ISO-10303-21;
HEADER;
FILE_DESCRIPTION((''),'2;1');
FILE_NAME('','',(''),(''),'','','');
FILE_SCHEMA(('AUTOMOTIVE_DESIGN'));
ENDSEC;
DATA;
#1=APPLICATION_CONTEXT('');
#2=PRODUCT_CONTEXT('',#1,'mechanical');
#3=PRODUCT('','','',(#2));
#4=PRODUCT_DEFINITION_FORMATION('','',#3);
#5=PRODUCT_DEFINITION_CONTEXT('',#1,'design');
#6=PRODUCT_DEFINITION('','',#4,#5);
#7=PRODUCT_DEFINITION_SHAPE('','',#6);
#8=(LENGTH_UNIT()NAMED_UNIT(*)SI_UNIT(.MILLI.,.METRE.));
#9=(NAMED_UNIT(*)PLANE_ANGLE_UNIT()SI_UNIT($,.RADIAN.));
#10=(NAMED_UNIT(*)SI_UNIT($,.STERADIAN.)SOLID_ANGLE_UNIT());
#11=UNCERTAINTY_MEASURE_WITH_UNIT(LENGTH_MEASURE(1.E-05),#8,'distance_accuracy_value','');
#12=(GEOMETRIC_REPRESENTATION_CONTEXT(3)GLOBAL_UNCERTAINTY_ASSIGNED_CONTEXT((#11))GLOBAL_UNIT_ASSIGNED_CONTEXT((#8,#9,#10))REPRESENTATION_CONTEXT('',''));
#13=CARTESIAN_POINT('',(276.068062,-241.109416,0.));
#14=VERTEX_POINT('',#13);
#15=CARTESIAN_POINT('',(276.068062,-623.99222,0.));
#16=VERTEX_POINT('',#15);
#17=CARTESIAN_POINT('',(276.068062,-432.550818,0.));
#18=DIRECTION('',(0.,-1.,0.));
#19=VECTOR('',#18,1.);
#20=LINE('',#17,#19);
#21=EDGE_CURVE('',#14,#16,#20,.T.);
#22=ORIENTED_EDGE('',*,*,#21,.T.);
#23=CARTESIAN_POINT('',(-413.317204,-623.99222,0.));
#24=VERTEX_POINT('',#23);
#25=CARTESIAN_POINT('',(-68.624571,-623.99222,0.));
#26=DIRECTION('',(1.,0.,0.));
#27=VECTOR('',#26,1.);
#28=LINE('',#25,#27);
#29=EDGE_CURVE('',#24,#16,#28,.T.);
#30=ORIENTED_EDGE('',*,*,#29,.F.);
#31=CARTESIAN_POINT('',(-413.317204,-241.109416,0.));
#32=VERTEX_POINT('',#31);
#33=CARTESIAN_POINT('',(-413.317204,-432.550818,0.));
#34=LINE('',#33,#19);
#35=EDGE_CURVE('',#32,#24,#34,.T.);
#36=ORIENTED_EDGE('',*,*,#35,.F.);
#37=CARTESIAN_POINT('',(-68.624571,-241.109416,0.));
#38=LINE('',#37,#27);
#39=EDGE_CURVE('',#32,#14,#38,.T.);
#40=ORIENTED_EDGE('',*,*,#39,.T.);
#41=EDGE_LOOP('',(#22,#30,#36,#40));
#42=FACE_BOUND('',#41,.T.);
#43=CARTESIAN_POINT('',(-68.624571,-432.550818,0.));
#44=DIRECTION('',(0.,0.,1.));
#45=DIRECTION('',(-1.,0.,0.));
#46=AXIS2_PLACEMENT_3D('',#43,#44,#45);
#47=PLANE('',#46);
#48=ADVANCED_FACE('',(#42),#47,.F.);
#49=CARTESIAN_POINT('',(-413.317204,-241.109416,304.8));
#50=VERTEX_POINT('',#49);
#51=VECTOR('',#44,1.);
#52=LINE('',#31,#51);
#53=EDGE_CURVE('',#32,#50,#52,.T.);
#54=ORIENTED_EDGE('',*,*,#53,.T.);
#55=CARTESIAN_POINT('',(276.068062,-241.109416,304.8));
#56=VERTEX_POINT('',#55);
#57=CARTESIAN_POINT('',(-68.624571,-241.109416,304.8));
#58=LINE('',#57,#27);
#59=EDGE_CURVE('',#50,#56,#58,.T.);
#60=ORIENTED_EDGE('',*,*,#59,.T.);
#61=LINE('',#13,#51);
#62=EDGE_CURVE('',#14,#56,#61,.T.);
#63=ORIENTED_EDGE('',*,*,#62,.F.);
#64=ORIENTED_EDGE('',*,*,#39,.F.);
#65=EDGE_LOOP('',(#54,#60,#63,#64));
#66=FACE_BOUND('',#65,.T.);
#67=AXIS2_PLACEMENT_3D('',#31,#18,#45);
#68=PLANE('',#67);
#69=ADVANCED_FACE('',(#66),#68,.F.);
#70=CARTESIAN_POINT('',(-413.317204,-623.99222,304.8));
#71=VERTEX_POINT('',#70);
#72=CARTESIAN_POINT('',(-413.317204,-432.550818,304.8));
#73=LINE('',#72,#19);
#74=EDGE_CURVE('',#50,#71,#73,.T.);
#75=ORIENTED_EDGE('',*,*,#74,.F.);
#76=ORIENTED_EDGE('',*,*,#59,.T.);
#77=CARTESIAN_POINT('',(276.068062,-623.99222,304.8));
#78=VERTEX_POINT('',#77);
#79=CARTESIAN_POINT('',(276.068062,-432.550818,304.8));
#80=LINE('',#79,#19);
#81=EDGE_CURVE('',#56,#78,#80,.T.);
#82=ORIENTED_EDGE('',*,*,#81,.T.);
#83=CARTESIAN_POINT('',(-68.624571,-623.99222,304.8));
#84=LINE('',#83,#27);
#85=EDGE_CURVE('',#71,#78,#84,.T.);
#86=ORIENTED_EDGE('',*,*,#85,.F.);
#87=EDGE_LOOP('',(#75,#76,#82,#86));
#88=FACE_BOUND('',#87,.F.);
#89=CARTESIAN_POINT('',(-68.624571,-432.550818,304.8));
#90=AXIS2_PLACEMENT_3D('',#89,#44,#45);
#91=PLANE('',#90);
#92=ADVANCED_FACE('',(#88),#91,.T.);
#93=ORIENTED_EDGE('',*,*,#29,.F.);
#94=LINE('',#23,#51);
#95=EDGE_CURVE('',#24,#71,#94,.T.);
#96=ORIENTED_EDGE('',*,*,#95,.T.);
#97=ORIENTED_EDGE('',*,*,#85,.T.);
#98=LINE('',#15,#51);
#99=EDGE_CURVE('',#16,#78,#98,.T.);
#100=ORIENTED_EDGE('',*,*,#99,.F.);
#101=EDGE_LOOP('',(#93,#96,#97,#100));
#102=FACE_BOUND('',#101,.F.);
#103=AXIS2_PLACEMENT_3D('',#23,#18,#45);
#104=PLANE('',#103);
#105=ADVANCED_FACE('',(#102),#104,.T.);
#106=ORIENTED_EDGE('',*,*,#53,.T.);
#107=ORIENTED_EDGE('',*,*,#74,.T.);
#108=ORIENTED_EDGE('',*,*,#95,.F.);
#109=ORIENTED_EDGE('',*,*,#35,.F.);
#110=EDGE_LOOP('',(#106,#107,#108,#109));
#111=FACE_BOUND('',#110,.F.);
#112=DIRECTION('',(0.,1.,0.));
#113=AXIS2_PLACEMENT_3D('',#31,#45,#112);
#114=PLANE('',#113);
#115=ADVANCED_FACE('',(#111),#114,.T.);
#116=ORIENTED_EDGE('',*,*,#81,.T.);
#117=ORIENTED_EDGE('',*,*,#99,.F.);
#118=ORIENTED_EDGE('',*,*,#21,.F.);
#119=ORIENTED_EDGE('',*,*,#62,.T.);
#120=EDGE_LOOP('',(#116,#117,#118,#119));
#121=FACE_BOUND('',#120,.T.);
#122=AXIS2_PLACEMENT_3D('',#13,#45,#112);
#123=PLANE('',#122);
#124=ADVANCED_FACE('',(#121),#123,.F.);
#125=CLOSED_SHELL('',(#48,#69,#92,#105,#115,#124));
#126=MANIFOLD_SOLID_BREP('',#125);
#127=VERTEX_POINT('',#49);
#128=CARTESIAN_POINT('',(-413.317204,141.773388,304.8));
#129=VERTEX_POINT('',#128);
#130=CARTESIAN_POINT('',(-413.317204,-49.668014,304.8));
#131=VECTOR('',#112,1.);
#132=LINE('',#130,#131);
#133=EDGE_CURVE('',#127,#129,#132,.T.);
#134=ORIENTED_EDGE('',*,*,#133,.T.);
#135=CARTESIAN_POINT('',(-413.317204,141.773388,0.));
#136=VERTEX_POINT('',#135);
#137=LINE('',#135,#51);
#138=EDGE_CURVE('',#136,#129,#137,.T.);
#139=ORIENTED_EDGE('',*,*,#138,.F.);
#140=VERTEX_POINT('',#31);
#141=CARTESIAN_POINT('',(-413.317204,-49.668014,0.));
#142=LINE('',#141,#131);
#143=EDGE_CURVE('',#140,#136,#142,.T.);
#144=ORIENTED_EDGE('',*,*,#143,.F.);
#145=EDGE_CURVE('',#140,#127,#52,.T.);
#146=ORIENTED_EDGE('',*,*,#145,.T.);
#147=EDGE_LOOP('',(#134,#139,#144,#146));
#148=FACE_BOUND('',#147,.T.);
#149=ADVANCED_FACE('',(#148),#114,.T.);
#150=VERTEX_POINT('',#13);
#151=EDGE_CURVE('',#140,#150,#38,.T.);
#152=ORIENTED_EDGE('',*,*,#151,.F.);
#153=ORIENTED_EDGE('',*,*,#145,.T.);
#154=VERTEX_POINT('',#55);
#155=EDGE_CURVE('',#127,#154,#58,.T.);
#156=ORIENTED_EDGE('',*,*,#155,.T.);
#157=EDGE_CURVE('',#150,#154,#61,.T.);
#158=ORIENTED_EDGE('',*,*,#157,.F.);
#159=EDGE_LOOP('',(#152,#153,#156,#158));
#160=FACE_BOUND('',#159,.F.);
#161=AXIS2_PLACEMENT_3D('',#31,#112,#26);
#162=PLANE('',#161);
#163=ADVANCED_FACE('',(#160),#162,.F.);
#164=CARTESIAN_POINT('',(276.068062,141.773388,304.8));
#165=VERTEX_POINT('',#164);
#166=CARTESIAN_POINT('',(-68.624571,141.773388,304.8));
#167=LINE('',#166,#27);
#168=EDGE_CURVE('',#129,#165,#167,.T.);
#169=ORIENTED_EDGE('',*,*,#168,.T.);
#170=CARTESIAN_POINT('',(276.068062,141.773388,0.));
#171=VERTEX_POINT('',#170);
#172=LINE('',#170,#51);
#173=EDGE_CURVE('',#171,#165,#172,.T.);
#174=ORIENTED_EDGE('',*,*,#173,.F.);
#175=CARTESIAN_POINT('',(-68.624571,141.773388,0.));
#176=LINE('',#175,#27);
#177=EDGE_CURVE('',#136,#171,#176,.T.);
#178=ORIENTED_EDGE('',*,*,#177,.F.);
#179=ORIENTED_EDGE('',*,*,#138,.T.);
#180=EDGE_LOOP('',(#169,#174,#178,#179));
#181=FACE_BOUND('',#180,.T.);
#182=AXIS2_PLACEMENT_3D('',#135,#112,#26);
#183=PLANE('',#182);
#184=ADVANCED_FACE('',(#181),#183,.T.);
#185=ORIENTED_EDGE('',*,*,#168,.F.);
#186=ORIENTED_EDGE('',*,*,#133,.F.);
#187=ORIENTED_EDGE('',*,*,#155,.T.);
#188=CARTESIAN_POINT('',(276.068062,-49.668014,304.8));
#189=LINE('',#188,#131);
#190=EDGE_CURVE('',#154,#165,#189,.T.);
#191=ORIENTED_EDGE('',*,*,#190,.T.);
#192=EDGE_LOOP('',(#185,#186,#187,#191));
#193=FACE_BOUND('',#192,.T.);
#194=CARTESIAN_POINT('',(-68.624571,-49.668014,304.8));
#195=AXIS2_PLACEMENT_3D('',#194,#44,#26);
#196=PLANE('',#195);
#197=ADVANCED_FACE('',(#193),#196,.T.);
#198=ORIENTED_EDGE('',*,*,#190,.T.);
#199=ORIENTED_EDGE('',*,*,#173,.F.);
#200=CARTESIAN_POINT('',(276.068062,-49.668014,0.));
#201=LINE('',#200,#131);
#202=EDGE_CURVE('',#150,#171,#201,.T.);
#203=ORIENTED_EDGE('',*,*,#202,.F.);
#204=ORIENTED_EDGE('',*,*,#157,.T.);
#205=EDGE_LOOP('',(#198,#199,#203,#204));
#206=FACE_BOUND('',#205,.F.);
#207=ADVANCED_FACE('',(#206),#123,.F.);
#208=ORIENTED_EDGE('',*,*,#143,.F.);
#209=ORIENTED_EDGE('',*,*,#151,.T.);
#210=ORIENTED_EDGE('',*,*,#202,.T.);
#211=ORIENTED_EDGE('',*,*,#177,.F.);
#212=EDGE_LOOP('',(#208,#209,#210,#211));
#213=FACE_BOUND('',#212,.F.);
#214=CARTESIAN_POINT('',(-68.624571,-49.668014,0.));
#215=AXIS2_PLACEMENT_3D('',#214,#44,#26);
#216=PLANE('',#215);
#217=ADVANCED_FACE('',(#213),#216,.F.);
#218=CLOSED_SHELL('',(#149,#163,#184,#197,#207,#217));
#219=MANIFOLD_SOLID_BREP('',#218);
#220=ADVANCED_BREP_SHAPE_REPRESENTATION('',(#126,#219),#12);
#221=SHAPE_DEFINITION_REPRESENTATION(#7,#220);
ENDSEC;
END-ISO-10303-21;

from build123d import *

# Parameters (mm, degrees)
F0_W     = 689.385266
F0_H     = 382.882804
F1_DEPTH = 304.8


with BuildPart() as f1:
    # F0 (on Top) → F1 (new body)
    with BuildSketch(Plane.XY):
        with Locations((-68.624571, -49.668014)):
            Rectangle(F0_W, F0_H)
    extrude(amount=F1_DEPTH)


with BuildPart() as f2_1:
    # F2: instance of F1
    add(f1.part.mirror(Plane(origin=(-68.624571, -241.109416, 152.4), x_dir=(1, 0, 0), z_dir=(0, -1, 0))))


solid = Compound([f1.part, f2_1.part])
